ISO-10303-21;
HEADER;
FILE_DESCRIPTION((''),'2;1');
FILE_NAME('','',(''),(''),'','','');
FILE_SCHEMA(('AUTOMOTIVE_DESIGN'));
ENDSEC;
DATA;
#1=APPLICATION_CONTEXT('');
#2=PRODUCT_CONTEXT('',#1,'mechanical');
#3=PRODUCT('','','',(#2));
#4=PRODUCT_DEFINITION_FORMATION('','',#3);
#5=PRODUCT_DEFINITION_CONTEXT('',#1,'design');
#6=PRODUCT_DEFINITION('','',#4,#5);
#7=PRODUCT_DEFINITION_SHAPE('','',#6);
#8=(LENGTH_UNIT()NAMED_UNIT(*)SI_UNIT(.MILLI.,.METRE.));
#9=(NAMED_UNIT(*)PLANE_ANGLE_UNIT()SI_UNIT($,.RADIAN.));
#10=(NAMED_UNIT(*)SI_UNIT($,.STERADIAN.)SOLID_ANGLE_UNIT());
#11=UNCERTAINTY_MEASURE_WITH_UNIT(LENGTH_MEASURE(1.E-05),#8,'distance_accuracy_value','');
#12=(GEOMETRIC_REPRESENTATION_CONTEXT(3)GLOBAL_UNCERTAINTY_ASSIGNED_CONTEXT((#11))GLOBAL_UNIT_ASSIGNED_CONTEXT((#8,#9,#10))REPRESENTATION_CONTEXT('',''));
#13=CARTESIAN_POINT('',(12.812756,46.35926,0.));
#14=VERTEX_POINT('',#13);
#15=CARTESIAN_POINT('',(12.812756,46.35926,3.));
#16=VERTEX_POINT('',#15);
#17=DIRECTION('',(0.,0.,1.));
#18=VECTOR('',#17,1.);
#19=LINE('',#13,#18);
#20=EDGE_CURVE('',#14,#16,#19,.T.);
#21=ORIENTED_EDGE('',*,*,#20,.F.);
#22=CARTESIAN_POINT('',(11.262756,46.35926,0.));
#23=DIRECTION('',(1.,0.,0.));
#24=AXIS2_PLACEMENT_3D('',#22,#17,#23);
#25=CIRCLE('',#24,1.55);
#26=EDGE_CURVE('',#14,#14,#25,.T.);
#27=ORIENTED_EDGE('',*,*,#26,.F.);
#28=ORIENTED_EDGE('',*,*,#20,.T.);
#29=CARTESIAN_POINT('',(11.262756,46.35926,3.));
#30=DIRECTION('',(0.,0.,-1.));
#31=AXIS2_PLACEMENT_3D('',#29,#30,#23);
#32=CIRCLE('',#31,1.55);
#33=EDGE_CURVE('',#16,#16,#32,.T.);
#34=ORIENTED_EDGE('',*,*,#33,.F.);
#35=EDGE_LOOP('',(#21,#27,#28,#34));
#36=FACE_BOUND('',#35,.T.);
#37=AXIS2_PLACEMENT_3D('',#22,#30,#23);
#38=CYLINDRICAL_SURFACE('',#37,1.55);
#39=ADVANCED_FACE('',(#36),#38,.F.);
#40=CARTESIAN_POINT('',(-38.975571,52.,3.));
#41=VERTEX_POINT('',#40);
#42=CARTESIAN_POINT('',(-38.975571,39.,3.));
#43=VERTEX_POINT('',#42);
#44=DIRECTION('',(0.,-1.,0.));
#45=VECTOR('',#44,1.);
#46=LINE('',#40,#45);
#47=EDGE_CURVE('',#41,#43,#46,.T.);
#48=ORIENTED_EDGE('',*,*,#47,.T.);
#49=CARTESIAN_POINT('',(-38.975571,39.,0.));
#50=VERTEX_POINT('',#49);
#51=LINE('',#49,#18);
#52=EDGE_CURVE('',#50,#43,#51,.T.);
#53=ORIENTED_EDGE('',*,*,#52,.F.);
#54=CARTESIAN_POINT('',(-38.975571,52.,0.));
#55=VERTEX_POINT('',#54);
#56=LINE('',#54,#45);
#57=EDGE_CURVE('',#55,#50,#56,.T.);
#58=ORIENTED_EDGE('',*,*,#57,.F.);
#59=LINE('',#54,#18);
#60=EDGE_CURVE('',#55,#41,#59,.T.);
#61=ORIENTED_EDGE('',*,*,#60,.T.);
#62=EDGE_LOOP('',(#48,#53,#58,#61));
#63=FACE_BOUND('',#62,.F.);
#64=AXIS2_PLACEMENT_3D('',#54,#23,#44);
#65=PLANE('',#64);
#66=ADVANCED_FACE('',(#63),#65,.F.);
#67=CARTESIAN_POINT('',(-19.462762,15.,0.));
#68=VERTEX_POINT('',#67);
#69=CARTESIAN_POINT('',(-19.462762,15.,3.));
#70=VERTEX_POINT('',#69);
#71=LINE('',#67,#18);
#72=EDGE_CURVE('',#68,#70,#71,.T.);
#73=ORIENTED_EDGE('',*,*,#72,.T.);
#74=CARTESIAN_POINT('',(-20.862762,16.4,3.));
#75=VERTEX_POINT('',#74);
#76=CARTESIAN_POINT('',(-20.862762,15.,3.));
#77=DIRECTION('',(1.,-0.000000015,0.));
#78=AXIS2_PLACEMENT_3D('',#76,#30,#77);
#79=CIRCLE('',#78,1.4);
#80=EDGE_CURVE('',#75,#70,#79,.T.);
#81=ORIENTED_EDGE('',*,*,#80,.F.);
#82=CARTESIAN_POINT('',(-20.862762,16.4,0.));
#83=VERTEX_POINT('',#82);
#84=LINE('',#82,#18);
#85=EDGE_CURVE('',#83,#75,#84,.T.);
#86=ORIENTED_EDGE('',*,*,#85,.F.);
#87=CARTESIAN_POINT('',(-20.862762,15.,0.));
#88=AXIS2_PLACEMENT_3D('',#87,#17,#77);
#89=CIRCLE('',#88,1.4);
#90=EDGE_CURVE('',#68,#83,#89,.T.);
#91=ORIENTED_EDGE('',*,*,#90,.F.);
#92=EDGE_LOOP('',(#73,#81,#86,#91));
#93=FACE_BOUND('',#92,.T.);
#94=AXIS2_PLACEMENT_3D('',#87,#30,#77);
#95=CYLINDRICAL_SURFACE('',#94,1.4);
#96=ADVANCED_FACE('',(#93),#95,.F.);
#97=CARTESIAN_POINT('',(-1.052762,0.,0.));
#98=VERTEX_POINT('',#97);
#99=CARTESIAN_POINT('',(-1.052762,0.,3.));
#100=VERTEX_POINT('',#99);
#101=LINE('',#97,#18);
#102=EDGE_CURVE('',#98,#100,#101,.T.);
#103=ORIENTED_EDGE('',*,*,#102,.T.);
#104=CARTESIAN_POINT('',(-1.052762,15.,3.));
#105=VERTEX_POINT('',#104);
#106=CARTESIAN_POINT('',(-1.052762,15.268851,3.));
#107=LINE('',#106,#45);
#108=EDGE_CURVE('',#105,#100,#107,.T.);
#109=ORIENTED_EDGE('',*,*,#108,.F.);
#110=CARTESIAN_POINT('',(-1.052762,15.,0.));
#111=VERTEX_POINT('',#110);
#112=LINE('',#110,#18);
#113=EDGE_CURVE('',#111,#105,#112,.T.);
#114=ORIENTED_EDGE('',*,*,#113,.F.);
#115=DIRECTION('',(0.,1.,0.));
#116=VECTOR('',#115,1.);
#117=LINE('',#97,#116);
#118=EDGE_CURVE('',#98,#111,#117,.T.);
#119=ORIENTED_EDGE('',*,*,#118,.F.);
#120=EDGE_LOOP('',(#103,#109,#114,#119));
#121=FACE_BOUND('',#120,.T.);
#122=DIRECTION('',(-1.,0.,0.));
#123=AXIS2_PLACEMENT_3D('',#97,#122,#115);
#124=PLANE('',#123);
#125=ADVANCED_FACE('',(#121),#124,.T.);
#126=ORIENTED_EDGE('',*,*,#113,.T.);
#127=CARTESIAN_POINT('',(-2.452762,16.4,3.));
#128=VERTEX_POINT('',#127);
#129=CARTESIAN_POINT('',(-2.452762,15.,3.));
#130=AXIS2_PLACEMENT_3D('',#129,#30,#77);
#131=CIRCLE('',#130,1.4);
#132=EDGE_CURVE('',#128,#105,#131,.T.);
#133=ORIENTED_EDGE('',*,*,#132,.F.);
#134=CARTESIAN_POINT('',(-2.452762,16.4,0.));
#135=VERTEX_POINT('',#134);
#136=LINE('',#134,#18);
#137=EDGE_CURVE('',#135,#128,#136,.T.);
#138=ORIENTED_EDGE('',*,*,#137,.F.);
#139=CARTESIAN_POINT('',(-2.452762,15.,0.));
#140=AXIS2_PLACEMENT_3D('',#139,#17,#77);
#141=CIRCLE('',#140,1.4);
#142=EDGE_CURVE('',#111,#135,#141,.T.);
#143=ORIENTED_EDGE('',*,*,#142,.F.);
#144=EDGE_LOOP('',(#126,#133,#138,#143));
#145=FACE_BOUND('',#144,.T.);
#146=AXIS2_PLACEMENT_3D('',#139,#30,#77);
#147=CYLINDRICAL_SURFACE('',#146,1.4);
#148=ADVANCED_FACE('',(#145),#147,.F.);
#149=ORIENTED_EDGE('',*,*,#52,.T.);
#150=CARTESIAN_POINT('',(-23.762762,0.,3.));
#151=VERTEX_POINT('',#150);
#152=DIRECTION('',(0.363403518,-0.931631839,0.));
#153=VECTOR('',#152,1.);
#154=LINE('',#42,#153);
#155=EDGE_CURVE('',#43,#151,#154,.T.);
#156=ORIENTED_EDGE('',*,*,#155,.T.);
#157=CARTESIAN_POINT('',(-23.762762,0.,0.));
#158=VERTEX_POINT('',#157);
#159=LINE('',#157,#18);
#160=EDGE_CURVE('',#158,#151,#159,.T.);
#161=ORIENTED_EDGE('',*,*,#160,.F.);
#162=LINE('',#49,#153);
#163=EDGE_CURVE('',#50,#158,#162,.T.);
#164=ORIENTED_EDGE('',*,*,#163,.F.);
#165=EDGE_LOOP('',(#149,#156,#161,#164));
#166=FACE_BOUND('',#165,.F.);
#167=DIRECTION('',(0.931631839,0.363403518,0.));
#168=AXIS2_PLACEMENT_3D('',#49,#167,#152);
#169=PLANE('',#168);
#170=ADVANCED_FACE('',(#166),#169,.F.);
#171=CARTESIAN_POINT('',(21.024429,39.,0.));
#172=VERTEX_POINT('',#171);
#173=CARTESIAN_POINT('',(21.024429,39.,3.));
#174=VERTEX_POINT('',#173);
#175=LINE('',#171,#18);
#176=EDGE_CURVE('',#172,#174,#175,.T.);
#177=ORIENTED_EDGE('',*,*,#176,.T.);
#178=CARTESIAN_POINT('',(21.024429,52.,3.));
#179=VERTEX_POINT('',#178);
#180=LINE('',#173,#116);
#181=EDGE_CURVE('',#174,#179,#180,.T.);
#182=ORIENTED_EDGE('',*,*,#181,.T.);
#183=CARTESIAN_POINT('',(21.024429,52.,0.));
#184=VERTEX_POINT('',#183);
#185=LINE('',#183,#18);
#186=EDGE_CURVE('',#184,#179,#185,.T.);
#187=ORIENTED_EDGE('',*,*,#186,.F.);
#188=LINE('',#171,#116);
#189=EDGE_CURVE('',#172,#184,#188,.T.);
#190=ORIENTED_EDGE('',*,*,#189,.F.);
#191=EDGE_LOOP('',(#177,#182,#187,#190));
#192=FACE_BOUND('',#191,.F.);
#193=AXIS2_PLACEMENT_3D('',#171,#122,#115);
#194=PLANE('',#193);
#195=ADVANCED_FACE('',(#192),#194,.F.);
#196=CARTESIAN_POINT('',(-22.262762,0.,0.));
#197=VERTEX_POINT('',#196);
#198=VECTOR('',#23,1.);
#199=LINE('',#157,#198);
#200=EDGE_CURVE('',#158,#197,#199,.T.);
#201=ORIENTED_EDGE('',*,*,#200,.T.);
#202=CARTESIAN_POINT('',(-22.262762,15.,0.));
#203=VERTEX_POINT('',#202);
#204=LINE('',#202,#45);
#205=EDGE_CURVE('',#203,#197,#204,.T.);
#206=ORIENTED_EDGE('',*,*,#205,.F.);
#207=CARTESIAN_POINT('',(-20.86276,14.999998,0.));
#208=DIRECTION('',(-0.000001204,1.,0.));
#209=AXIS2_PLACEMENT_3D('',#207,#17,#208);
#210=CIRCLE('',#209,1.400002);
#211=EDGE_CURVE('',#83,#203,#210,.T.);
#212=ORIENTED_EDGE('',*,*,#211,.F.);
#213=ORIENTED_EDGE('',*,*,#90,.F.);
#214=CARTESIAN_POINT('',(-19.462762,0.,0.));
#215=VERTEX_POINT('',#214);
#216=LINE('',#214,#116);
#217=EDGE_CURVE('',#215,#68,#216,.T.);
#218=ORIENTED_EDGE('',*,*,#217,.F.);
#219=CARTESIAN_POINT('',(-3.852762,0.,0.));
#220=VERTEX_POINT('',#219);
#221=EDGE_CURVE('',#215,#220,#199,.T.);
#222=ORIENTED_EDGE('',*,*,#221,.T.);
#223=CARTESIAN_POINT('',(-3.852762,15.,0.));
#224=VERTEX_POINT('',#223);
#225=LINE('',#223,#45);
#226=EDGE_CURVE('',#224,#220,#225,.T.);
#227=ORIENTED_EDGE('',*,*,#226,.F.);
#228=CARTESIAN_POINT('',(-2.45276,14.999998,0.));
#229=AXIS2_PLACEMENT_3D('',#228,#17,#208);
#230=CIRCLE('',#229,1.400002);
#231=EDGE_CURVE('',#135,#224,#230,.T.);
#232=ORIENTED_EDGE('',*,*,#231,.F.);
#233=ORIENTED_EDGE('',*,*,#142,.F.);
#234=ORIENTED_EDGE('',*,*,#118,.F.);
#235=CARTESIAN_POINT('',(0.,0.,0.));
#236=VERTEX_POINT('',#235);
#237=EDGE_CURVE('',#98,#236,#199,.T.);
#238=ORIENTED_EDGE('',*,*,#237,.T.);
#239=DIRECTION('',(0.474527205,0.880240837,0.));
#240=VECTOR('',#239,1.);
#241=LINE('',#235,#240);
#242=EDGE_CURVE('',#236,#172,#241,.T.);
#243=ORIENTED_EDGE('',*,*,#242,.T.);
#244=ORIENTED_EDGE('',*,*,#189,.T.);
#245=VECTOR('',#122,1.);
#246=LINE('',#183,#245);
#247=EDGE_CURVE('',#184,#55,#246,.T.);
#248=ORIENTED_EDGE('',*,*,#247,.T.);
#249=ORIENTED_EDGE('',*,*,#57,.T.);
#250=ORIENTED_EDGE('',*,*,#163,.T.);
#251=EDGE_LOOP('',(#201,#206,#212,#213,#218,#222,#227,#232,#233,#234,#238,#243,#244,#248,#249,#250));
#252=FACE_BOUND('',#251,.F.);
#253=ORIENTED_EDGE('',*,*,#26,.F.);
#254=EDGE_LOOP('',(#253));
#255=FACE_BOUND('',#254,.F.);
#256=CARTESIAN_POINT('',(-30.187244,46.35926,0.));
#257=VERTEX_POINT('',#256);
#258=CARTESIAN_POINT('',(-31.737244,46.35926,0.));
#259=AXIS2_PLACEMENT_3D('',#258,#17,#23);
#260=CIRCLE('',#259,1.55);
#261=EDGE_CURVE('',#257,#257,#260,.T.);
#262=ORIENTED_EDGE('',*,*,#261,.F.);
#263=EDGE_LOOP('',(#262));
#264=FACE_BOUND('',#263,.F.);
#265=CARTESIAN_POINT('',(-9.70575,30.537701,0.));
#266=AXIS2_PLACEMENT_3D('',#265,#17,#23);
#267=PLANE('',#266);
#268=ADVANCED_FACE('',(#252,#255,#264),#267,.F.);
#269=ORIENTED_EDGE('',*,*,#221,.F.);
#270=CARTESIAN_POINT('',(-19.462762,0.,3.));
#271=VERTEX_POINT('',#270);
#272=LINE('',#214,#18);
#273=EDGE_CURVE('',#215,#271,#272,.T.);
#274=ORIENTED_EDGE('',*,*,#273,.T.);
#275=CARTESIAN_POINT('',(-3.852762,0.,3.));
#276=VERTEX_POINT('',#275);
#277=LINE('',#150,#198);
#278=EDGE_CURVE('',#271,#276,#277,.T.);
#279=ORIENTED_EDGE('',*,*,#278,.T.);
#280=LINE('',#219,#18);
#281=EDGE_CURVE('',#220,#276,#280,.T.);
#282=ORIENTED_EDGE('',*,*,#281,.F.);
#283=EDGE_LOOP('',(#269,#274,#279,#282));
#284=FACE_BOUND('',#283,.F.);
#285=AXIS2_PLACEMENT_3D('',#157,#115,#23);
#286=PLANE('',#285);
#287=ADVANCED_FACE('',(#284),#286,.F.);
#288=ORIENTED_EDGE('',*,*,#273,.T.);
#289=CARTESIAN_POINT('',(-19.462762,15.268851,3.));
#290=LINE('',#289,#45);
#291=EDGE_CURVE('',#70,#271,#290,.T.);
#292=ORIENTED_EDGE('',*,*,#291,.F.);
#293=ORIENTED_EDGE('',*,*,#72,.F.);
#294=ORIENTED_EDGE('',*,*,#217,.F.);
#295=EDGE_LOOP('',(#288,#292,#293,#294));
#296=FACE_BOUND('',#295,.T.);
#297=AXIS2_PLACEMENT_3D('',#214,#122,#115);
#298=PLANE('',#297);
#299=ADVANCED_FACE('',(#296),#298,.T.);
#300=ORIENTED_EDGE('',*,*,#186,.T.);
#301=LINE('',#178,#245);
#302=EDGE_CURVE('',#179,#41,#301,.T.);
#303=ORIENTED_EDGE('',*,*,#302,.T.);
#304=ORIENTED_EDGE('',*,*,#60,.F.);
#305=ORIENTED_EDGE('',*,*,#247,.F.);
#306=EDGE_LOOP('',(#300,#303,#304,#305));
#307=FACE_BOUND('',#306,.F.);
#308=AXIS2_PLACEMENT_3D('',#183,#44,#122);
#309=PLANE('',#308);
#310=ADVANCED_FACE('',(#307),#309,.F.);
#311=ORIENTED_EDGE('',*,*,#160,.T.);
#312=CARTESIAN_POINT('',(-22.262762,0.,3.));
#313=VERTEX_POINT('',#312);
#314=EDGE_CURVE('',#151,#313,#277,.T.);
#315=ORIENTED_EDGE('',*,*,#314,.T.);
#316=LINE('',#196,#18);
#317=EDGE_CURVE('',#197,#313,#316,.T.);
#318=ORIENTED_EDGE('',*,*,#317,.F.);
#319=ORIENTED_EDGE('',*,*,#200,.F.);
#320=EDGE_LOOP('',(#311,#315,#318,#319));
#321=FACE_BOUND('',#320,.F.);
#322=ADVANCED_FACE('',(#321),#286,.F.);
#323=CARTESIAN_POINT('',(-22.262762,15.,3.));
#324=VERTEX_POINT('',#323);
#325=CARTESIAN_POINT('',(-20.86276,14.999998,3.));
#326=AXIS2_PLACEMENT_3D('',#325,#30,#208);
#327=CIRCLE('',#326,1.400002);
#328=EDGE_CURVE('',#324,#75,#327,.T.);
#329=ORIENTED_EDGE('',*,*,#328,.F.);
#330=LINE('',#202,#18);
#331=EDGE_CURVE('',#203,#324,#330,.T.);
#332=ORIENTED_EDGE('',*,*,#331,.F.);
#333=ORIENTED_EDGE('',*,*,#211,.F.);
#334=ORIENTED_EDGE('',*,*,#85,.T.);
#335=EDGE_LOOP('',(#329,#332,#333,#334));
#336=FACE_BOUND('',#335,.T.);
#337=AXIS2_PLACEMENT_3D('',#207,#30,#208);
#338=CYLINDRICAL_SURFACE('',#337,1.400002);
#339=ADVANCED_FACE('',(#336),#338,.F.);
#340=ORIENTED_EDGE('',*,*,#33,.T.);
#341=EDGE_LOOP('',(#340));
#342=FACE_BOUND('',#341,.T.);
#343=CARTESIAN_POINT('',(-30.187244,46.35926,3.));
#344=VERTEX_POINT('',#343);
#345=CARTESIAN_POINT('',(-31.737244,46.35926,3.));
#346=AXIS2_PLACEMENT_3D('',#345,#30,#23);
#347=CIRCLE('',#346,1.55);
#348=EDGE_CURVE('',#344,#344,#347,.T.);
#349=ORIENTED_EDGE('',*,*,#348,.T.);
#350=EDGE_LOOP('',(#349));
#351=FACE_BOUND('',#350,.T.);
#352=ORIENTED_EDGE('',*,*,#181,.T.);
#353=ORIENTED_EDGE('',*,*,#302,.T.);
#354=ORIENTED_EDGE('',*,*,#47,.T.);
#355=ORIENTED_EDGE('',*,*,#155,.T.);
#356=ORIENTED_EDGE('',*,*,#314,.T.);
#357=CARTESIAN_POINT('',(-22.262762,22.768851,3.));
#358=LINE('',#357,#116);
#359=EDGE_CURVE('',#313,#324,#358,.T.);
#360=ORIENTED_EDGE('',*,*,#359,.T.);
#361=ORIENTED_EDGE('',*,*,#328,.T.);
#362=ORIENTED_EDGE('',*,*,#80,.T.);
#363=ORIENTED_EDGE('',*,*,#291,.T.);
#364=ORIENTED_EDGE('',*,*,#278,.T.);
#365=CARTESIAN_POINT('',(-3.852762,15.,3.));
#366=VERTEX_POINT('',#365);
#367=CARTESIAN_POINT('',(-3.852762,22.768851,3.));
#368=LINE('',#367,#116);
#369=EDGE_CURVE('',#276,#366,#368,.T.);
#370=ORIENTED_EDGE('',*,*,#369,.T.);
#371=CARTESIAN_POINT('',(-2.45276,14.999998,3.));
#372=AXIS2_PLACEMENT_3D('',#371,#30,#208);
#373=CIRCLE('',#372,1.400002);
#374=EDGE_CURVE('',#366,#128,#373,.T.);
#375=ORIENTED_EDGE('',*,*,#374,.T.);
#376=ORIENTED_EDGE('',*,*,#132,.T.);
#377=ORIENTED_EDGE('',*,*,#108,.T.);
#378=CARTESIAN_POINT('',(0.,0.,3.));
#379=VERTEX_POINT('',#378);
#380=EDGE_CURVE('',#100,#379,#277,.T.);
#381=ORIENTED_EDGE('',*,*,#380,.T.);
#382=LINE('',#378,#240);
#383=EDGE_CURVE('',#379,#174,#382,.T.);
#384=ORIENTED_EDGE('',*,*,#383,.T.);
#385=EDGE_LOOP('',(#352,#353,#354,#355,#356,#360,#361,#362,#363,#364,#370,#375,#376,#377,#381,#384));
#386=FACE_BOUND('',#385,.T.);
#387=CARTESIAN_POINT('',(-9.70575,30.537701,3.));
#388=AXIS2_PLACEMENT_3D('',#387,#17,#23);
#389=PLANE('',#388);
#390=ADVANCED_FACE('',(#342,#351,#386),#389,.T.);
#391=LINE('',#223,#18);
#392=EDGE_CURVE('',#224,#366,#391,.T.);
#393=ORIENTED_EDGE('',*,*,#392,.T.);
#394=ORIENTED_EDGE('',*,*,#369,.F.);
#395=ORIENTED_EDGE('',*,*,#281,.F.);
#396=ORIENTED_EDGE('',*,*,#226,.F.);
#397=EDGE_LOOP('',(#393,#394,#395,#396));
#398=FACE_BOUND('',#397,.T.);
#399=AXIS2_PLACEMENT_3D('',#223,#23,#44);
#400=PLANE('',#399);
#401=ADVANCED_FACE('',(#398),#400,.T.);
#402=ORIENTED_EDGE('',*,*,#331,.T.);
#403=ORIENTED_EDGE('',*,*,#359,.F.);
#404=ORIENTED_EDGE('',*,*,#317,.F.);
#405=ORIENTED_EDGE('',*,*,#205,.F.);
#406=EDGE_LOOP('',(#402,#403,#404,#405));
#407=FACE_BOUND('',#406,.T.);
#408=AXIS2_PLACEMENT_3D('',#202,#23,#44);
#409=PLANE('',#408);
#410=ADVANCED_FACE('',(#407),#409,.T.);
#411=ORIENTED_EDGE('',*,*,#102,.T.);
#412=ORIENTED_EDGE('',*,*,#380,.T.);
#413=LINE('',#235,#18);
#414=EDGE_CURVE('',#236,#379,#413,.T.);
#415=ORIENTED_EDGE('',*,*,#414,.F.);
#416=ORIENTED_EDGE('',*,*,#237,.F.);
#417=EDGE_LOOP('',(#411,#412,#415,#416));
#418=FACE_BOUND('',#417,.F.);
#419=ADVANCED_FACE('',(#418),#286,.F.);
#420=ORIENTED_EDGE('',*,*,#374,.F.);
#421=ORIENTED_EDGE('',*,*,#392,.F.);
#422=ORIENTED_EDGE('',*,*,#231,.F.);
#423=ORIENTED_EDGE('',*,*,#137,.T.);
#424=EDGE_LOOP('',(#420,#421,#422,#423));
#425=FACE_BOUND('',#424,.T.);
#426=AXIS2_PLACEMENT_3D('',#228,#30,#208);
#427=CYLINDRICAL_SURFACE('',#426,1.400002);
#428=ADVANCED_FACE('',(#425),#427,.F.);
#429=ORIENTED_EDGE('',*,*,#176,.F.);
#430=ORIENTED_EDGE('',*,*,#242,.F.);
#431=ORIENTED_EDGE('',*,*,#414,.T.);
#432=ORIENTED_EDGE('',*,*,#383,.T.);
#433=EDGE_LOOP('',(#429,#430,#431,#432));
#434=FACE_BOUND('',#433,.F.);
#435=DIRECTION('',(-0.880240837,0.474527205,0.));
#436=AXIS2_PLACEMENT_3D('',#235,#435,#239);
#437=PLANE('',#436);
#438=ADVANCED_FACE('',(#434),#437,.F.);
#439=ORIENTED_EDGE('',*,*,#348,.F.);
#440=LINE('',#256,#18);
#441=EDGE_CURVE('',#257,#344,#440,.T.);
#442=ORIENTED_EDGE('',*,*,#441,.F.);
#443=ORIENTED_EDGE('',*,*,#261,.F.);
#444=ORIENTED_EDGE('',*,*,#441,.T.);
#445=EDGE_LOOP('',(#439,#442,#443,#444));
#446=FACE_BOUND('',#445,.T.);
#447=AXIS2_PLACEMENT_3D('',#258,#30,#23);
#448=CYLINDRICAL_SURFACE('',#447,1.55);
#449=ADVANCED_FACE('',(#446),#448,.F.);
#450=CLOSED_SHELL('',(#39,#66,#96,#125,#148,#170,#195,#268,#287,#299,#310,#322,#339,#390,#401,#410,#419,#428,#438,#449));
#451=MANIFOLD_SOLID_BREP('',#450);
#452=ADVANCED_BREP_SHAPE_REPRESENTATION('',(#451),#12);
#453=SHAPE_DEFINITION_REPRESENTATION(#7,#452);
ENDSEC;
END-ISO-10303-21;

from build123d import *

# Parameters (mm, degrees)
F3_DEPTH = 3
F1_R     = 1.55
F4_DEPTH = 25
F5_DEPTH = 25


with BuildPart() as f3:
    # F0 (on Top) → F3 (new body)
    with BuildSketch(Plane.XY):
        Polygon((21.024429, 52), (-38.975571, 52), (-38.975571, 39), (-23.762762, 0), (0, 0), (21.024429, 39), align=None)
    extrude(amount=F3_DEPTH)

    # F1 (on Top) → F4 (cut)
    with BuildSketch(Plane.XY):
        with Locations((-31.737244, 46.35926)):
            Circle(F1_R)
        with Locations((11.262756, 46.35926)):
            Circle(F1_R)
    extrude(amount=F4_DEPTH, mode=Mode.SUBTRACT)

    # F2 (on face) → F5 (cut)
    with BuildSketch(Plane.XY):
        with BuildLine():
            Line((-3.852762, 15), (-3.852762, 0))
            Line((-3.852762, 0), (-2.452762, 0))
            Line((-2.452762, 0), (-1.052762, 0))
            Line((-1.052762, 0), (-1.052762, 15))
            ThreePointArc((-1.052762, 15), (-1.462812, 15.989949), (-2.452762, 16.4))
            ThreePointArc((-2.452762, 16.4), (-3.442711, 15.989949), (-3.852762, 15))
        make_face()
        with BuildLine():
            Line((-22.262762, 15), (-22.262762, 0))
            Line((-22.262762, 0), (-20.862762, 0))
            Line((-20.862762, 0), (-19.462762, 0))
            Line((-19.462762, 0), (-19.462762, 15))
            ThreePointArc((-19.462762, 15), (-19.872812, 15.989949), (-20.862762, 16.4))
            ThreePointArc((-20.862762, 16.4), (-21.852711, 15.989949), (-22.262762, 15))
        make_face()
    extrude(amount=F5_DEPTH, mode=Mode.SUBTRACT)


solid = f3.part
